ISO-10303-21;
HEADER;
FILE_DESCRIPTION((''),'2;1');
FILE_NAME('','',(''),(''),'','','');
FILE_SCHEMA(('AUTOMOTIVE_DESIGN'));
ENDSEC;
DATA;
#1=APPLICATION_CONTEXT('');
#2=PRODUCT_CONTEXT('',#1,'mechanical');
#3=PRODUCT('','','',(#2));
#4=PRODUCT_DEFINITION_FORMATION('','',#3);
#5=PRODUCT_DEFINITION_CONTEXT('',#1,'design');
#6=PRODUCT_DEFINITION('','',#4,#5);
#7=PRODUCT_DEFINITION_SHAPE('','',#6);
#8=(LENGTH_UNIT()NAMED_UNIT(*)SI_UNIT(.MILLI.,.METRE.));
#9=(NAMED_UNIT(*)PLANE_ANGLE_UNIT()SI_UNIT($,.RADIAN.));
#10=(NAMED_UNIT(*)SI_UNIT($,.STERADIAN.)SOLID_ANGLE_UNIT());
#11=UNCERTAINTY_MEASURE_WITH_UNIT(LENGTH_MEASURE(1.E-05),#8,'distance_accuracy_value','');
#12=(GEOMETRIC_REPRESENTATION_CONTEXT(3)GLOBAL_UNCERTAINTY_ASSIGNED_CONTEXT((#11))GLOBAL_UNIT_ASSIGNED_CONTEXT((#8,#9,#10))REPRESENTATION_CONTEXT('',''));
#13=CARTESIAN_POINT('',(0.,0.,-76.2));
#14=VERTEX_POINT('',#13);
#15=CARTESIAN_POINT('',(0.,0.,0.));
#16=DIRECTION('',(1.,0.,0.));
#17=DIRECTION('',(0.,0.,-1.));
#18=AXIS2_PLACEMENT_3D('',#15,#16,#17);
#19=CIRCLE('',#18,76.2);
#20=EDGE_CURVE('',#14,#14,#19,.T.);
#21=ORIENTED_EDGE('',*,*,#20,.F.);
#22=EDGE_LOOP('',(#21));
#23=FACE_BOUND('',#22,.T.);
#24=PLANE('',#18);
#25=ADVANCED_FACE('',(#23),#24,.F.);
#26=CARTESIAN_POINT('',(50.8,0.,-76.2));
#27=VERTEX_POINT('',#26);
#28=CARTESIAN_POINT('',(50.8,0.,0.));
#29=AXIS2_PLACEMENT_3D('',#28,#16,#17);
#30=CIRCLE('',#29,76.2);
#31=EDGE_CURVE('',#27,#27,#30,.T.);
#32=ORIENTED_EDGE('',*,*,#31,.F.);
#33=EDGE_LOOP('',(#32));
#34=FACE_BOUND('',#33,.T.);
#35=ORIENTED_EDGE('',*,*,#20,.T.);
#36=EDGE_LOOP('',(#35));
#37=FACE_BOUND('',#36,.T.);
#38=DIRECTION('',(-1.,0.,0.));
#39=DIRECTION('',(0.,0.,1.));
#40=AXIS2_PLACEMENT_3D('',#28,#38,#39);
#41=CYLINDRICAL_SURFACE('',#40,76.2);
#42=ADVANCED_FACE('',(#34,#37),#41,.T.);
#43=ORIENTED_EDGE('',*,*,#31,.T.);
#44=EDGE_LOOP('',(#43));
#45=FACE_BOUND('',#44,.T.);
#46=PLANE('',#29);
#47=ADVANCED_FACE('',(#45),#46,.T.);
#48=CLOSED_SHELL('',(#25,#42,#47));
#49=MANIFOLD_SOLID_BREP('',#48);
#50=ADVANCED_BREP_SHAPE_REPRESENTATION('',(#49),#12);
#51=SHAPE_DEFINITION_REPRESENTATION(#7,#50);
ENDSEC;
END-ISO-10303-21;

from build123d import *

# Parameters (mm, degrees)
SKETCH1_R           = 76.2
BOSS_EXTRUDE1_DEPTH = 50.8


with BuildPart() as part:
    # Sketch1 → Boss-Extrude1 (new body)
    with BuildSketch(Plane(origin=(0, 0, 0), x_dir=(0, 0, -1), z_dir=(1, 0, 0))):
        Circle(SKETCH1_R)
    extrude(amount=BOSS_EXTRUDE1_DEPTH)


solid = part.part
